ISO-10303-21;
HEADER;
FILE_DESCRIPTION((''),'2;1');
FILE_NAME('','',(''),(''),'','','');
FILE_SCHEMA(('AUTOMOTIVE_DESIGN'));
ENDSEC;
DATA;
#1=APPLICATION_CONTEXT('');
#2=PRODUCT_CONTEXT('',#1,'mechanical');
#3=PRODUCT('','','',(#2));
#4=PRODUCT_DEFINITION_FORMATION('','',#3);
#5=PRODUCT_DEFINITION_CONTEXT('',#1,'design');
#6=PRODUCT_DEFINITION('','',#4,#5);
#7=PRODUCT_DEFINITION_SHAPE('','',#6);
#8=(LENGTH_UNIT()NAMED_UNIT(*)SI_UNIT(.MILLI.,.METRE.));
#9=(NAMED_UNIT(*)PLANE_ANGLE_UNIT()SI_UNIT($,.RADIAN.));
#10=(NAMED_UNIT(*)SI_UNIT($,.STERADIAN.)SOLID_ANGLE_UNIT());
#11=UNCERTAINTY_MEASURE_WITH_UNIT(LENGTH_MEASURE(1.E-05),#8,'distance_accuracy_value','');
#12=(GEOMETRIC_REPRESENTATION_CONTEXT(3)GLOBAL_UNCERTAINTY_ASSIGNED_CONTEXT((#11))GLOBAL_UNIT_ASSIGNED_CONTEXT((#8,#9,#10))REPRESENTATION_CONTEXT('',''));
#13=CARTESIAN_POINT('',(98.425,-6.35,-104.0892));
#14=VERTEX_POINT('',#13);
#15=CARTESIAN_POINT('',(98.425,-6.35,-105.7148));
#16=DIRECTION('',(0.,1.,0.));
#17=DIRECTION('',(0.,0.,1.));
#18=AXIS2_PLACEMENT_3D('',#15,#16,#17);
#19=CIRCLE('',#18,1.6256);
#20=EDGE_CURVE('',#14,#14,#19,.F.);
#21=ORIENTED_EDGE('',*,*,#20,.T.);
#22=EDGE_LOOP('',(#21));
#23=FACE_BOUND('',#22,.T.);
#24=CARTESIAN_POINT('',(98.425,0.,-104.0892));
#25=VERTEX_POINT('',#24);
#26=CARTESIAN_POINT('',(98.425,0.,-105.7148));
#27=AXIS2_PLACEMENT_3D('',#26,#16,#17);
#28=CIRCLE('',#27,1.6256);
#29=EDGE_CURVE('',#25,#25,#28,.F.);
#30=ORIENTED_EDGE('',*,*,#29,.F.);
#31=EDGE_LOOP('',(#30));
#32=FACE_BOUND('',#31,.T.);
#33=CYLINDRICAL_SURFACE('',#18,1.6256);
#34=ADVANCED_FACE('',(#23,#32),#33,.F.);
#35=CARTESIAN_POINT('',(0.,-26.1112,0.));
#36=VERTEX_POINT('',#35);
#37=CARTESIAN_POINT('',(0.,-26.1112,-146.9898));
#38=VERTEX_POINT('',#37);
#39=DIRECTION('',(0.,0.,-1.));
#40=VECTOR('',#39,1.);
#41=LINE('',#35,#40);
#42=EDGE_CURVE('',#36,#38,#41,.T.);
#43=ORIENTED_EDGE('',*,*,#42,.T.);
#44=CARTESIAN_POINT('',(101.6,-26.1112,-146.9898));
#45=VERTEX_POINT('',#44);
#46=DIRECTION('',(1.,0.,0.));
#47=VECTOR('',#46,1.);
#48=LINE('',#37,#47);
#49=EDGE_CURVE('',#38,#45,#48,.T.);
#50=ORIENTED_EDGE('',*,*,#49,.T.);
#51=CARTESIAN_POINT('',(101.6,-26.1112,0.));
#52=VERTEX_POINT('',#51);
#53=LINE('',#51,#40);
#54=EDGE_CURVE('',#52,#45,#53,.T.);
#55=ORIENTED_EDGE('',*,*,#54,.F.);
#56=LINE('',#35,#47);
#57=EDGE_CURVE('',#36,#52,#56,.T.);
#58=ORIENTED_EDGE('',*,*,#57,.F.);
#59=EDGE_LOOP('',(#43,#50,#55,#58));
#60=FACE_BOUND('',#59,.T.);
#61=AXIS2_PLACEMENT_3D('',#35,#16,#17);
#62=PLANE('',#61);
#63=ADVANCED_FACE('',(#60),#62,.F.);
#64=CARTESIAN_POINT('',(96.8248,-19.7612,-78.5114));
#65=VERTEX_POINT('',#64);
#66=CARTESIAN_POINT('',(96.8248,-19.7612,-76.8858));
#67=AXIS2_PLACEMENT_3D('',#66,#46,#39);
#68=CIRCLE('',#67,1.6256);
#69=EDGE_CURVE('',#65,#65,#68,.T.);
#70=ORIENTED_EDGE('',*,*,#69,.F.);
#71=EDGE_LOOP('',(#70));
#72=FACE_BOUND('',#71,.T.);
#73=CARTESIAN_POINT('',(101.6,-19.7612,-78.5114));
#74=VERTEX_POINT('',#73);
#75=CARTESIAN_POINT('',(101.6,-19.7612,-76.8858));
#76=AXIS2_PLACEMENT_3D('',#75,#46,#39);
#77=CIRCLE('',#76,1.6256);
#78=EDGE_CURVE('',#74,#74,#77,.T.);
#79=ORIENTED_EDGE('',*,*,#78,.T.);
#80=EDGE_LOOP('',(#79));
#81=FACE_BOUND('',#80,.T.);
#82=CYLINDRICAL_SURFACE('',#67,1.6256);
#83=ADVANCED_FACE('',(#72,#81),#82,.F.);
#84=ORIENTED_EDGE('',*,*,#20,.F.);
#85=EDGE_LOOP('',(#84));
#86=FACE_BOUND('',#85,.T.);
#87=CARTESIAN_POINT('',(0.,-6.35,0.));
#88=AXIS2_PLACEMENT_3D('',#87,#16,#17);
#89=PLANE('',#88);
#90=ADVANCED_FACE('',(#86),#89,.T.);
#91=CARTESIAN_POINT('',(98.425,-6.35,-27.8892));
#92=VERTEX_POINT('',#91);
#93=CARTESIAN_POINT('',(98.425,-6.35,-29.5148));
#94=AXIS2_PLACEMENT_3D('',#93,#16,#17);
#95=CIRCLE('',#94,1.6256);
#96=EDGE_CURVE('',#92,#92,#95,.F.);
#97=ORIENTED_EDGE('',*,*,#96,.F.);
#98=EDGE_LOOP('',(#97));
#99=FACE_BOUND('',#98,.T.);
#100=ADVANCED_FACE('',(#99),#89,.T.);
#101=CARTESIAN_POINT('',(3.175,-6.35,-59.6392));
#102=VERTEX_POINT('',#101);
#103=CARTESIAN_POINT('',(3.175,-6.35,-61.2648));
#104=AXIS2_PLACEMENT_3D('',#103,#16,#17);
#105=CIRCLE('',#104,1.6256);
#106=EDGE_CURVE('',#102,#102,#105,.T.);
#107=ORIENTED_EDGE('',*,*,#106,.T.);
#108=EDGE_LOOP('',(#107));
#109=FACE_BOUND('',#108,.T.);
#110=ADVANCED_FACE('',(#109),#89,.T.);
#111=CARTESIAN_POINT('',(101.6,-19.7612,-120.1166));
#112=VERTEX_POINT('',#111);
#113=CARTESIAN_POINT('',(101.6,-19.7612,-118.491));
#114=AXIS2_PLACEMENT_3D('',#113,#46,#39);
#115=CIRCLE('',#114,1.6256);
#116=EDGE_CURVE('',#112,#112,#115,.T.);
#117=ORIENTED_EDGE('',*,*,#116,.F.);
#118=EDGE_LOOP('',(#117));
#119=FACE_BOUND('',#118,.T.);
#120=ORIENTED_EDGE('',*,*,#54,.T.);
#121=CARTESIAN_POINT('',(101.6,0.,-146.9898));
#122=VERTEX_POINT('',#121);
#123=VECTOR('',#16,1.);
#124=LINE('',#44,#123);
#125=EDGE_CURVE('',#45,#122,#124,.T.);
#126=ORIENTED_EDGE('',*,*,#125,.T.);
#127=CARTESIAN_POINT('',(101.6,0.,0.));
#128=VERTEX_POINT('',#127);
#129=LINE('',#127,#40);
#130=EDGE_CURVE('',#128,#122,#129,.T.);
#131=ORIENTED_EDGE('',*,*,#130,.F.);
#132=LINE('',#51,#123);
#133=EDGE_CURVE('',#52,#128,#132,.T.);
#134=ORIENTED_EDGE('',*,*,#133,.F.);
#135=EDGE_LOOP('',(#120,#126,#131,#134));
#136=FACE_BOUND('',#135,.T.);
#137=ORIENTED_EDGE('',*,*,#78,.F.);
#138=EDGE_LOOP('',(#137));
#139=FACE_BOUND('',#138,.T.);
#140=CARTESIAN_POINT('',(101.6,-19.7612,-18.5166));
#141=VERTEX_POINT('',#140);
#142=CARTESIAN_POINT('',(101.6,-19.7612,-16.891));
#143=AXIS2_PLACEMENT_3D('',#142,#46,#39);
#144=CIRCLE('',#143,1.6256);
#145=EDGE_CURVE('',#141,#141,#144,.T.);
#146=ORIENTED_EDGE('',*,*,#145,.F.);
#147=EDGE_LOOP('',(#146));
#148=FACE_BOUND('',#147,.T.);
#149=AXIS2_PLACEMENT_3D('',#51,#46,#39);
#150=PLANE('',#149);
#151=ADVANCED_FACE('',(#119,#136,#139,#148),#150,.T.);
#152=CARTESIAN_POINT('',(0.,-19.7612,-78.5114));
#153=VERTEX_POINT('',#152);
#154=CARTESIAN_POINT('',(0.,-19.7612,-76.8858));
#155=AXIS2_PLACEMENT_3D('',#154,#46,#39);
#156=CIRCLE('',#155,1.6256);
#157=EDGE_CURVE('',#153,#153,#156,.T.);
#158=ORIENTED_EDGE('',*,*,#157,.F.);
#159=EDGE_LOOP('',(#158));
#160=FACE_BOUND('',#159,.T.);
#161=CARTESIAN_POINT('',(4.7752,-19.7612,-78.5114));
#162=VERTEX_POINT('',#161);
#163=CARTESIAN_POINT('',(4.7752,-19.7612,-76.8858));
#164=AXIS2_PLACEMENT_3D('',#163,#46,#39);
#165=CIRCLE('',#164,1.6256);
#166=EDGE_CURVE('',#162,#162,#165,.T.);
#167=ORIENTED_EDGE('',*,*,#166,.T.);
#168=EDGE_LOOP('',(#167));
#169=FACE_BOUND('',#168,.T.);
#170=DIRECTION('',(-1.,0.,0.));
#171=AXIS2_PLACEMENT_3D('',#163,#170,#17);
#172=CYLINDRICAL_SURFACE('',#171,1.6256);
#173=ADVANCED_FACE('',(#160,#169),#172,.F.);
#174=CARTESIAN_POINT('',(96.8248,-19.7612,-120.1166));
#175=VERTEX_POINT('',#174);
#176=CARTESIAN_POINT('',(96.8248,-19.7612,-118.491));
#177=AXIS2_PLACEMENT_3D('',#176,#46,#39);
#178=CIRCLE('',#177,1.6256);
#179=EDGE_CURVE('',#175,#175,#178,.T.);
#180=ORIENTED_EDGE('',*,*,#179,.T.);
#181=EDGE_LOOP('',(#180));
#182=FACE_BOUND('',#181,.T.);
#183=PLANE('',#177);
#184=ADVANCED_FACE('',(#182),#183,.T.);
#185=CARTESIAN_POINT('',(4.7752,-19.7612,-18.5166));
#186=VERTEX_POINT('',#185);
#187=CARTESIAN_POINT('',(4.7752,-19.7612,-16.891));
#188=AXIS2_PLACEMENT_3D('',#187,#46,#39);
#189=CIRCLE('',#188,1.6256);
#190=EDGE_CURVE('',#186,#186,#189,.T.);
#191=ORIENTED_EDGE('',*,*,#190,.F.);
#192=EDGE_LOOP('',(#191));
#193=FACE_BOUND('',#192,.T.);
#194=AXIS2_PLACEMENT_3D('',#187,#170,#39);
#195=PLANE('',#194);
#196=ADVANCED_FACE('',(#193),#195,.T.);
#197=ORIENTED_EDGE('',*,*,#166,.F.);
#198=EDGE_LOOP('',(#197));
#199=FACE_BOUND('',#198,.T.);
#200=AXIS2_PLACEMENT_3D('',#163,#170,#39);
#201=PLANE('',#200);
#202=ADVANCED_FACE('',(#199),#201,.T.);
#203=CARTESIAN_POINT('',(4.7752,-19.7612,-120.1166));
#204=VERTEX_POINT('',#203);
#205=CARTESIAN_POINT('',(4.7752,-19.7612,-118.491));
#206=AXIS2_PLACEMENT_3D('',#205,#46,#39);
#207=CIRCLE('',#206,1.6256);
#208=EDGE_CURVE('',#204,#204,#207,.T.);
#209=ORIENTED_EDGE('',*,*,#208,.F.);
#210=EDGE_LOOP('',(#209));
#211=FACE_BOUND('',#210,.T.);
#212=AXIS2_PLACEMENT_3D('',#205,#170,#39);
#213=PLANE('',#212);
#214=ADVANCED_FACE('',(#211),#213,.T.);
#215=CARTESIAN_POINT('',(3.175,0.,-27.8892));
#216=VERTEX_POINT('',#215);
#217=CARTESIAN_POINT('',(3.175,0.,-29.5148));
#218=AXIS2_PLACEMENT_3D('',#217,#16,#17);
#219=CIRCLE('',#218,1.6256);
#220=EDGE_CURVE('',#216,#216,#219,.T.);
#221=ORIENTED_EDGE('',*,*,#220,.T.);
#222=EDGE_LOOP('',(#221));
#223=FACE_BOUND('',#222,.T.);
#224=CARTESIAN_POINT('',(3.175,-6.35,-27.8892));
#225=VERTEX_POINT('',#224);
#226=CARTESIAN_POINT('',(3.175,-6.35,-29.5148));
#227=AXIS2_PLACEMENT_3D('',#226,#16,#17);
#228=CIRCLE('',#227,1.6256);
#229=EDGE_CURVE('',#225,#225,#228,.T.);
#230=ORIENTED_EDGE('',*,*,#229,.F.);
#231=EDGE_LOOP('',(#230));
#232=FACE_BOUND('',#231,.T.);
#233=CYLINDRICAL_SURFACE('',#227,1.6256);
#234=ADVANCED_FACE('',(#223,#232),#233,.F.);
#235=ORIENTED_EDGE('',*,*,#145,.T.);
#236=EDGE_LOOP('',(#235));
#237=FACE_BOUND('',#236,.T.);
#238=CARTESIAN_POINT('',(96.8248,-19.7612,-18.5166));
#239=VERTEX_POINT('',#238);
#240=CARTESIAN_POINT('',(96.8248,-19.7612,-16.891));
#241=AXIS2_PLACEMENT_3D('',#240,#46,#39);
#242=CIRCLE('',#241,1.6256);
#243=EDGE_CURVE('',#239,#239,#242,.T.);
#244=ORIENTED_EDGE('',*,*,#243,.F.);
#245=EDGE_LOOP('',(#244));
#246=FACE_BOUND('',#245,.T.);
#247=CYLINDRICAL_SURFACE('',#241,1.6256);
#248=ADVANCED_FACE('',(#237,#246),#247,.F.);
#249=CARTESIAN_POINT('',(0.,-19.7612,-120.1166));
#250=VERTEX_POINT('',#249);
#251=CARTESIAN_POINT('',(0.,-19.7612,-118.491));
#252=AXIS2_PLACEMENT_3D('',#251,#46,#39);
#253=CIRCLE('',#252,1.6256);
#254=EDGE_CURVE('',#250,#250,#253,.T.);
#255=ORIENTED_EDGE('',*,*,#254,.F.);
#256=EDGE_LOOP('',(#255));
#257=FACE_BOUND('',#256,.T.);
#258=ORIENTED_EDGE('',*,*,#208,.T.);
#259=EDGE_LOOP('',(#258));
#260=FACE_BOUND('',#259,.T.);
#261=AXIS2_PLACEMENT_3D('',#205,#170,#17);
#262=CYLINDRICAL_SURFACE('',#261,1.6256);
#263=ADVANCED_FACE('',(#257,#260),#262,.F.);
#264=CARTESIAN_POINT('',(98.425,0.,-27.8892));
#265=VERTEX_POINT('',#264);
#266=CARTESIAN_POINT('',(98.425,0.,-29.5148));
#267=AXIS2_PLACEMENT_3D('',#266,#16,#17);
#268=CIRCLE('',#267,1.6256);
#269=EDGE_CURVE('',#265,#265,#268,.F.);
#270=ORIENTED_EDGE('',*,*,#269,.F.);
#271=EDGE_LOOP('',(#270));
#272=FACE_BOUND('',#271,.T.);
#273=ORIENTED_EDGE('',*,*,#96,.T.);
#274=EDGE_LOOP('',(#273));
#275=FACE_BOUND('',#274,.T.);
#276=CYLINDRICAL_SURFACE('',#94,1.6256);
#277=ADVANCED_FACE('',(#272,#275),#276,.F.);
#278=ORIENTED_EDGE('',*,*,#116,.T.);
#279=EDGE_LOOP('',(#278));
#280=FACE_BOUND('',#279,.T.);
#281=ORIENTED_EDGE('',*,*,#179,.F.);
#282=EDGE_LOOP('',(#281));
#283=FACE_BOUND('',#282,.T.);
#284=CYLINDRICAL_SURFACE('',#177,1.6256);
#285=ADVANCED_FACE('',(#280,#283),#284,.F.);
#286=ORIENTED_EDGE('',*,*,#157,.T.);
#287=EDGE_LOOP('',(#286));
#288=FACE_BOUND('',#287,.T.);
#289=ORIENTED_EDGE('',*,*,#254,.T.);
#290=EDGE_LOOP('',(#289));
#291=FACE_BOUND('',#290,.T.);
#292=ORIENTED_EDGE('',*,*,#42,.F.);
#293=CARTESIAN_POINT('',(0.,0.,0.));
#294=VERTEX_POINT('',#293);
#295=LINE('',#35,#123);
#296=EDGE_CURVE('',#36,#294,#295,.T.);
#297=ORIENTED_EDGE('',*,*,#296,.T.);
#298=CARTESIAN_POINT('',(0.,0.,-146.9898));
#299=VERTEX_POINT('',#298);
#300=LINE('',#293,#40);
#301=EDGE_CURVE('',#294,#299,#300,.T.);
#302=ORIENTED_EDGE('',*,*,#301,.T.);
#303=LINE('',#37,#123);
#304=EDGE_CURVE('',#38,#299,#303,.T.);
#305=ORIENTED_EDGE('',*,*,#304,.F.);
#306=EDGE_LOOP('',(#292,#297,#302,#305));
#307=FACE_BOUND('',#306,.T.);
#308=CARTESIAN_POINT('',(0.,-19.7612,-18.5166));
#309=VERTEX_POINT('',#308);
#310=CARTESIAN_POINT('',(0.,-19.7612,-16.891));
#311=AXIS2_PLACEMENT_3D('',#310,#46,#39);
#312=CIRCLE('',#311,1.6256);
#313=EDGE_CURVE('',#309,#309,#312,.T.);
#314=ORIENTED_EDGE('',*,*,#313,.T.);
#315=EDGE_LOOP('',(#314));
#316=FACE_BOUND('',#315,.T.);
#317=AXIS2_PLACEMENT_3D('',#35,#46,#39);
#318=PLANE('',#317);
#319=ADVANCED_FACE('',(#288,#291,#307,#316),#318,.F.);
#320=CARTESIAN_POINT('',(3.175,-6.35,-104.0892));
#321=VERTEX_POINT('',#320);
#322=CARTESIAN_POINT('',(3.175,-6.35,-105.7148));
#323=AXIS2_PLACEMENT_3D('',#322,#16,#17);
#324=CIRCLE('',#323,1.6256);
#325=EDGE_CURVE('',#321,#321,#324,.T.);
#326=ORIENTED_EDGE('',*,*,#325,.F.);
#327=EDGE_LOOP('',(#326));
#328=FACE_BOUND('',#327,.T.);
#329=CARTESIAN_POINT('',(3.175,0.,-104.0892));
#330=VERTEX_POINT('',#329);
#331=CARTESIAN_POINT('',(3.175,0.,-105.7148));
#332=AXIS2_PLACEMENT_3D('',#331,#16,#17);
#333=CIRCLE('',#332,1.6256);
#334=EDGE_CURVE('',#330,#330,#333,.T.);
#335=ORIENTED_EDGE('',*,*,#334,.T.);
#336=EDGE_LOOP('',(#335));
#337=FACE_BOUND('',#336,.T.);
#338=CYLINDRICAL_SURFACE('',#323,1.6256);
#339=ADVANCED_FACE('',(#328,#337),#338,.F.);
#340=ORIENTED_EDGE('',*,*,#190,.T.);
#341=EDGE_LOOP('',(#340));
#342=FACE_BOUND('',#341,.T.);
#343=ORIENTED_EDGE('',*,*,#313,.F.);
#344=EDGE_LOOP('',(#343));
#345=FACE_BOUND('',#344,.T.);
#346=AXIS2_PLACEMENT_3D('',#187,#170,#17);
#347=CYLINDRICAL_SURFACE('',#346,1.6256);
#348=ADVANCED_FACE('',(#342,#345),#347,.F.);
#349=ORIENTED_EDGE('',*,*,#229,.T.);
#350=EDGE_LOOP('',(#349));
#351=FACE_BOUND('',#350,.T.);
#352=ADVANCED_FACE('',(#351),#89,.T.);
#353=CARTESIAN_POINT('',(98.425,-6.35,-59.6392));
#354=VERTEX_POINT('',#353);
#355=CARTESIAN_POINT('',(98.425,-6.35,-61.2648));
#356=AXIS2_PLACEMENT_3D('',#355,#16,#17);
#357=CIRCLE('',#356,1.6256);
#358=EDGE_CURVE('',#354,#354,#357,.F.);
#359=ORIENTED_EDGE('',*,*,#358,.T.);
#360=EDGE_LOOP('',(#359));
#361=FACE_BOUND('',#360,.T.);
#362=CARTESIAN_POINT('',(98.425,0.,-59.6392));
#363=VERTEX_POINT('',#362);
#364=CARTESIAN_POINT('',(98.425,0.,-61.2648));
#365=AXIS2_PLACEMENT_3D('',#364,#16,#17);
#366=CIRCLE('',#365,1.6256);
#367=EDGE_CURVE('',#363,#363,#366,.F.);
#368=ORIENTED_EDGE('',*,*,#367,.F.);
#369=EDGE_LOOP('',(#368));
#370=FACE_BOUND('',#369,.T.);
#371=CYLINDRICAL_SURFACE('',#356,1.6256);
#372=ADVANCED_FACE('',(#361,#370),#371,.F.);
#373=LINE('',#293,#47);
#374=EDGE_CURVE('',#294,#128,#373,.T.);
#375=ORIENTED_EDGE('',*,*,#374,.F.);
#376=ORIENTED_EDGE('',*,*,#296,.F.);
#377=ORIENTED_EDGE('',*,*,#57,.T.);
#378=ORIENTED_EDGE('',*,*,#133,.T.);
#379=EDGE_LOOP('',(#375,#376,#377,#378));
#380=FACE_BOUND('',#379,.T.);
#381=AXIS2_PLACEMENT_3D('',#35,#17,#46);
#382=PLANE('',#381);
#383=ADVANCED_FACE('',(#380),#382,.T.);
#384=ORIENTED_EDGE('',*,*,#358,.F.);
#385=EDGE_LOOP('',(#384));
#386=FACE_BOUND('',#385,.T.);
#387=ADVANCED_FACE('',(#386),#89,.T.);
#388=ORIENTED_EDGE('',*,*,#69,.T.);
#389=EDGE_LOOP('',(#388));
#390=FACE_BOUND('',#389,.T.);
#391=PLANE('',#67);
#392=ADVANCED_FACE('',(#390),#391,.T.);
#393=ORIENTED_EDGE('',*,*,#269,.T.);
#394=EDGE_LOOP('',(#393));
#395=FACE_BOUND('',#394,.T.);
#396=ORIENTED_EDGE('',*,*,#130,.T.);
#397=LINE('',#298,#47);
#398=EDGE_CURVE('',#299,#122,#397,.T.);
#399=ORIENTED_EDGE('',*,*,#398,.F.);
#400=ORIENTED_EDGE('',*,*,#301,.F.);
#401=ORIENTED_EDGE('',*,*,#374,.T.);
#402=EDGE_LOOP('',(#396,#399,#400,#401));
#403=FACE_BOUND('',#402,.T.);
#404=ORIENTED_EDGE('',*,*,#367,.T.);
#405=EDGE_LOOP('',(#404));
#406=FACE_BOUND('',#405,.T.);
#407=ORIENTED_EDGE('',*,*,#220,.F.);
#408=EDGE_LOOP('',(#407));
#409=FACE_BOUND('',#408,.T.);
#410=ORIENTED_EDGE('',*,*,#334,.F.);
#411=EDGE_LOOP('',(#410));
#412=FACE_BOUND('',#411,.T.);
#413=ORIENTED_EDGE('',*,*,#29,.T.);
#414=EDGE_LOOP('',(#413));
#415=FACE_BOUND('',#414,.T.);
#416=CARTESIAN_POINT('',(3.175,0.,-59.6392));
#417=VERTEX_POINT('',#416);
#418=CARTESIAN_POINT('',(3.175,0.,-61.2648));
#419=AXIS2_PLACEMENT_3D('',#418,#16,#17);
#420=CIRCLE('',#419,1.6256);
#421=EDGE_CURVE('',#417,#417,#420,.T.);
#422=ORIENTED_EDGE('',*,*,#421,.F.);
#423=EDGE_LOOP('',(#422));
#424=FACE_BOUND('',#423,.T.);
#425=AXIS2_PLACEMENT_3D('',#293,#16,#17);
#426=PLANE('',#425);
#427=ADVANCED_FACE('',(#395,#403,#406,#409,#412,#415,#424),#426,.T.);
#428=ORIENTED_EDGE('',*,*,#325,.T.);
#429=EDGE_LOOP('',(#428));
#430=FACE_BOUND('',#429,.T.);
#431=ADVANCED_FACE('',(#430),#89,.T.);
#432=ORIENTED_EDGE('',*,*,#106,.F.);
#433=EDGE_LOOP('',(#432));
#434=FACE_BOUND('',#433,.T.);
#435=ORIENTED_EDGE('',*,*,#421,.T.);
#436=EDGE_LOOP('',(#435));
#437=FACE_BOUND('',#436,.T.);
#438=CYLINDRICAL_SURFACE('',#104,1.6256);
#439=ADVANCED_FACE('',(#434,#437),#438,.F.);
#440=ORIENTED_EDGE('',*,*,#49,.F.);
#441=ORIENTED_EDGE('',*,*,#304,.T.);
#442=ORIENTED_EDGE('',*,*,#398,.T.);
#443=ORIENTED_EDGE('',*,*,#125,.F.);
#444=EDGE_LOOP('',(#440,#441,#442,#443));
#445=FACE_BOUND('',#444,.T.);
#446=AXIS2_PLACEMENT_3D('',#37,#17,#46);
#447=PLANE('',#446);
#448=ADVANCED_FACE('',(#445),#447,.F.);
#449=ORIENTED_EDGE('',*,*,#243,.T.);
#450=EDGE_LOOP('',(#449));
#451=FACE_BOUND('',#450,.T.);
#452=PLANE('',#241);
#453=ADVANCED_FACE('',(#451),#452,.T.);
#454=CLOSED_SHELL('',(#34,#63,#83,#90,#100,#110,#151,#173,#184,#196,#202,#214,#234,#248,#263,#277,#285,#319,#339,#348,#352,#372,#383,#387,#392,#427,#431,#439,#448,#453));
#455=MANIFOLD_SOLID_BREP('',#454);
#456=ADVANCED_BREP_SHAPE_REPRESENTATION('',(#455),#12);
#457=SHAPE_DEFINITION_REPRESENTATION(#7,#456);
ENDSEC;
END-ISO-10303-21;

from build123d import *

# Parameters (mm, degrees)
SKETCH_1_W          = 101.6
SKETCH_1_H          = 146.9898
EXTRUDE_1_DEPTH     = 26.1112
SKETCH_1_3_R        = 1.6256
CUT_EXTRUDE_1_DEPTH = 6.35
SKETCH_2_R          = 1.6256
CUT_EXTRUDE_2_DEPTH = 4.7752


with BuildPart() as part:
    # 스케치1 → 보스-돌출1 (new body)
    with BuildSketch(Plane(origin=(0, 0, 0), x_dir=(1, 0, 0), z_dir=(0, 1, 0))):
        with Locations((50.8, 73.4949)):
            Rectangle(SKETCH_1_W, SKETCH_1_H)
    extrude(amount=-EXTRUDE_1_DEPTH)

    # 스케치1<3> → 컷-돌출1 (cut)
    with BuildSketch(Plane(origin=(0, 0, 0), x_dir=(1, 0, 0), z_dir=(0, 1, 0))):
        with Locations((3.175, 105.7148)):
            Circle(SKETCH_1_3_R)
        with Locations((98.425, 105.7148)):
            Circle(SKETCH_1_3_R)
        with Locations((3.175, 61.2648)):
            Circle(SKETCH_1_3_R)
        with Locations((98.425, 61.2648)):
            Circle(SKETCH_1_3_R)
        with Locations((3.175, 29.5148)):
            Circle(SKETCH_1_3_R)
        with Locations((98.425, 29.5148)):
            Circle(SKETCH_1_3_R)
    extrude(amount=-CUT_EXTRUDE_1_DEPTH, mode=Mode.SUBTRACT)

    # 스케치2 → 컷-돌출2 (cut)
    with BuildSketch(Plane(origin=(101.6, 0, 0), x_dir=(0, 0, -1), z_dir=(1, 0, 0))):
        with Locations((16.891, -19.7612)):
            Circle(SKETCH_2_R)
        with Locations((76.8858, -19.7612)):
            Circle(SKETCH_2_R)
        with Locations((118.491, -19.7612)):
            Circle(SKETCH_2_R)
    cut_extrude_2 = extrude(amount=-CUT_EXTRUDE_2_DEPTH, mode=Mode.SUBTRACT)

    # 대칭 복사1: 컷-돌출2 across plane
    add(cut_extrude_2.mirror(Plane(origin=(50.8, 0, 0), x_dir=(0, 0, 1), z_dir=(1, 0, 0))), mode=Mode.SUBTRACT)


solid = part.part
